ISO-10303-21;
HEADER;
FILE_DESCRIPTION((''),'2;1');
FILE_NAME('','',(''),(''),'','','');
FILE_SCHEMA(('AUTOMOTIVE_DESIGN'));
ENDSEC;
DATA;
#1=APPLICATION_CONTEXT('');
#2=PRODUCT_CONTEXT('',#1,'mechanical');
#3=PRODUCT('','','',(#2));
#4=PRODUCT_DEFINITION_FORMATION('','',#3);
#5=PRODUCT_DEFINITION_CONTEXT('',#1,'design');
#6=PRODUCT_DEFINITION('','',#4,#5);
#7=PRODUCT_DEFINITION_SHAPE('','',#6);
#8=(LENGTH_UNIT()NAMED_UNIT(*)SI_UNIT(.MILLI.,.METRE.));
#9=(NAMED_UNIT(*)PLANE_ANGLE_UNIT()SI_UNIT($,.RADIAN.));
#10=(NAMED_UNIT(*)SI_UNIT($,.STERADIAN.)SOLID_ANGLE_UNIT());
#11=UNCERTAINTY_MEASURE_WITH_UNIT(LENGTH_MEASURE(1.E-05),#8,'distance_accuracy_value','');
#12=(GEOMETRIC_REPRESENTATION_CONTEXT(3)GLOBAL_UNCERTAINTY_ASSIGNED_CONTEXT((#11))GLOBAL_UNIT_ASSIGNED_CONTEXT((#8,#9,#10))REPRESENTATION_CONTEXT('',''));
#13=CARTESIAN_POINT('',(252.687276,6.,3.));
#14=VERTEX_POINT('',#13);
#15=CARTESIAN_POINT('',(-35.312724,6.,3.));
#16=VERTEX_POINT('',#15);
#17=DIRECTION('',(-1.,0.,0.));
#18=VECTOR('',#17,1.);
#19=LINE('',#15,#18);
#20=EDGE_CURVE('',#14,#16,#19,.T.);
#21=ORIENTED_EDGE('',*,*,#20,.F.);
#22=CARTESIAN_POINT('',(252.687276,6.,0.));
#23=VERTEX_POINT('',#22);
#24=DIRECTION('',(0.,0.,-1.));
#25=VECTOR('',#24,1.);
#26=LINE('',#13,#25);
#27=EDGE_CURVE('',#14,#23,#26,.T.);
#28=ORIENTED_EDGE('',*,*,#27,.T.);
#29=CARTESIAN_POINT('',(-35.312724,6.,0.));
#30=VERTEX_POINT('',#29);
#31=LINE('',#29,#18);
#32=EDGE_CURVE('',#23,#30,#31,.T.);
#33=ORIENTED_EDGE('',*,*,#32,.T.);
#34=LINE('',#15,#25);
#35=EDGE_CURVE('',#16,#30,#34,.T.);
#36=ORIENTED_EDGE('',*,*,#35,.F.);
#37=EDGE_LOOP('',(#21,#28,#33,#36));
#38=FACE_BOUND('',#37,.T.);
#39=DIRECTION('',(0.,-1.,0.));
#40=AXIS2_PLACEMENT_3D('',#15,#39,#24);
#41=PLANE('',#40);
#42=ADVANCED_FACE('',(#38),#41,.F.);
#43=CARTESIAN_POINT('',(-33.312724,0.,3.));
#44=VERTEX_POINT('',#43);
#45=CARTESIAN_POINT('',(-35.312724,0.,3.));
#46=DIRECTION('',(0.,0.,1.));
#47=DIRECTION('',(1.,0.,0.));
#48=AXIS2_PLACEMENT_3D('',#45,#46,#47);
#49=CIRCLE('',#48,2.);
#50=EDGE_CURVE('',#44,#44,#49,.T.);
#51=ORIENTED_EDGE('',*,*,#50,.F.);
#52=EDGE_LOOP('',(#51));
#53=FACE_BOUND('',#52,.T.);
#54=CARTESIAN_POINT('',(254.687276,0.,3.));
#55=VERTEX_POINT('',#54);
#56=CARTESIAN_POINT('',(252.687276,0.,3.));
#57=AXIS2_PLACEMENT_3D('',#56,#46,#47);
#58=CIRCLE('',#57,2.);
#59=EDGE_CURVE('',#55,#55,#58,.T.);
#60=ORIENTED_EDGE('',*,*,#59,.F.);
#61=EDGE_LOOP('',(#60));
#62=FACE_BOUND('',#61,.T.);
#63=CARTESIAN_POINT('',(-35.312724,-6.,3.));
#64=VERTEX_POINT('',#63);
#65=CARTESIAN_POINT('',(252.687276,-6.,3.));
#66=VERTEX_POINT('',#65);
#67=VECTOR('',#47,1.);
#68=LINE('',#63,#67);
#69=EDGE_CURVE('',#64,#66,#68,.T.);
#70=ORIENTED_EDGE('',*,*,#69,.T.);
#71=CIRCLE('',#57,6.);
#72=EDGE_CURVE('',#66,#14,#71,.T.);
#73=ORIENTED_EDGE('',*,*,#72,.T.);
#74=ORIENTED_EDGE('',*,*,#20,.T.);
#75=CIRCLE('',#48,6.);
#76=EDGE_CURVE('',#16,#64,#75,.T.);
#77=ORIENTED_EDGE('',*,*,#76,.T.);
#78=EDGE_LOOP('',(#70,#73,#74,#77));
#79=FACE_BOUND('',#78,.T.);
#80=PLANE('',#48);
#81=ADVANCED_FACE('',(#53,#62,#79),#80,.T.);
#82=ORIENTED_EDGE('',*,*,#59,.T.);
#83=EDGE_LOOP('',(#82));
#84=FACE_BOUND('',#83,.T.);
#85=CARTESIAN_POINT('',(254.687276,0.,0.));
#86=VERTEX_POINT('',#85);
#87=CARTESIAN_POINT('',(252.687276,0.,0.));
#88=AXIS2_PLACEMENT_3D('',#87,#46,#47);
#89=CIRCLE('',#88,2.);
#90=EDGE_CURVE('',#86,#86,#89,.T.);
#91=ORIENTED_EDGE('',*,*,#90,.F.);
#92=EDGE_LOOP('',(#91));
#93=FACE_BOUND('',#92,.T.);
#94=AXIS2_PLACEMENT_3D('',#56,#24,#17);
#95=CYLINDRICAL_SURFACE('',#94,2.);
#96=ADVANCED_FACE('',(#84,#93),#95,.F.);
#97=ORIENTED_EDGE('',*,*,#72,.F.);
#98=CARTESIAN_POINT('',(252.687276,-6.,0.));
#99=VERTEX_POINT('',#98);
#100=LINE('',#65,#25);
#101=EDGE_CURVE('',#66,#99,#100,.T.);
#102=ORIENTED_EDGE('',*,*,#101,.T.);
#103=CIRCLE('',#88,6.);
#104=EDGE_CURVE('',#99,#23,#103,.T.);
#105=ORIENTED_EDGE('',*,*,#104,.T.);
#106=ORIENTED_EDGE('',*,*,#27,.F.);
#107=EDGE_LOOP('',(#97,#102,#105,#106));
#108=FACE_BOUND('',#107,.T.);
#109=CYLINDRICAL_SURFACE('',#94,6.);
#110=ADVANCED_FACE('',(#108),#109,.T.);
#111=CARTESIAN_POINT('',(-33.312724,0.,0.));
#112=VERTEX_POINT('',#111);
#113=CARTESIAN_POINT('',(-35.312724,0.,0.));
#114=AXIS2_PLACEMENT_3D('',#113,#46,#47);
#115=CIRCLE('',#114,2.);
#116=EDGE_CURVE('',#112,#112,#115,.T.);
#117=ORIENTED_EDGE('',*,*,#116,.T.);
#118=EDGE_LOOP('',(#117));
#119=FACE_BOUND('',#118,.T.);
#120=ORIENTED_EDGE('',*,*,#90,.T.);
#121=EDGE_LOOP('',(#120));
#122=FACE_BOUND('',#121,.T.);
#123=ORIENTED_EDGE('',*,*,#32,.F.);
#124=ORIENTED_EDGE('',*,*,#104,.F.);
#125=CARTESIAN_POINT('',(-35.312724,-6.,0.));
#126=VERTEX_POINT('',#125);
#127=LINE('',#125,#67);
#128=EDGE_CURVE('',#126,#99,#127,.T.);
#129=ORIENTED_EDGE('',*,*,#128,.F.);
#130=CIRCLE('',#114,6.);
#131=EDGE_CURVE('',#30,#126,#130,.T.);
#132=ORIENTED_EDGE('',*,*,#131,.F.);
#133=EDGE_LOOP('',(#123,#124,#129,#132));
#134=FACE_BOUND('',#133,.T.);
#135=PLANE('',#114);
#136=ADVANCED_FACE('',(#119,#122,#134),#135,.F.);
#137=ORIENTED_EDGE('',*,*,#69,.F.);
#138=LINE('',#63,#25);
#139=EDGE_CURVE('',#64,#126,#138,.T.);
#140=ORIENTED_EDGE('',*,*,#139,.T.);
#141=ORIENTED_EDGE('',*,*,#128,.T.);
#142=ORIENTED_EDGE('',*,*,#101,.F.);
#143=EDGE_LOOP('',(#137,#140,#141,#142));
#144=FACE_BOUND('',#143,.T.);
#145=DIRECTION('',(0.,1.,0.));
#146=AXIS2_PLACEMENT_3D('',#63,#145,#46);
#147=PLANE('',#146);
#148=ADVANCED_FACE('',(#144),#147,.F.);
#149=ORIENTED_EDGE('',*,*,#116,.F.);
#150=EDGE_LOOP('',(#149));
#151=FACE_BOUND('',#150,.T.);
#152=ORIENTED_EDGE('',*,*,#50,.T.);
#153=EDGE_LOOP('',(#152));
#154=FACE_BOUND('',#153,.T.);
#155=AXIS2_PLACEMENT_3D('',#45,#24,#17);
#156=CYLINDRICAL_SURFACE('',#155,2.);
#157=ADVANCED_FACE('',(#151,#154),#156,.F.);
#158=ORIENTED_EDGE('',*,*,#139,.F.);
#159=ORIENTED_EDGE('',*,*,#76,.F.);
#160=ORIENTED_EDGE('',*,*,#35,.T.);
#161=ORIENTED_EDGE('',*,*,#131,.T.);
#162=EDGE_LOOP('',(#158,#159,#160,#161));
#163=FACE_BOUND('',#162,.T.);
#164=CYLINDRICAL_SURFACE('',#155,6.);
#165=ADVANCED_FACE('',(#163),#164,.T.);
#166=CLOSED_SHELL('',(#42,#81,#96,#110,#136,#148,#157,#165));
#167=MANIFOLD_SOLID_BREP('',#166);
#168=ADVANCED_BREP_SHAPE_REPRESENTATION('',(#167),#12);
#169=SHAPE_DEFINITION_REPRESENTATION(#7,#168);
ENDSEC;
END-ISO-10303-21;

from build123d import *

# Parameters (mm, degrees)
SKETCH1_R           = 2
BOSS_EXTRUDE3_DEPTH = 3


with BuildPart() as part:
    # Sketch1 → Boss-Extrude3 (new body)
    with BuildSketch(Plane.XY):
        with BuildLine():
            Line((-35.312724167, 6), (252.687275833, 6))
            ThreePointArc((252.687275833, 6), (258.687275833, 0), (252.687275833, -6))
            Line((252.687275833, -6), (-35.312724167, -6))
            ThreePointArc((-35.312724167, -6), (-41.312724167, 0), (-35.312724167, 6))
        make_face()
        with Locations((-35.312724167, 0)):
            Circle(SKETCH1_R, mode=Mode.SUBTRACT)
        with Locations((252.687275833, 0)):
            Circle(SKETCH1_R, mode=Mode.SUBTRACT)
    extrude(amount=BOSS_EXTRUDE3_DEPTH)


solid = part.part
